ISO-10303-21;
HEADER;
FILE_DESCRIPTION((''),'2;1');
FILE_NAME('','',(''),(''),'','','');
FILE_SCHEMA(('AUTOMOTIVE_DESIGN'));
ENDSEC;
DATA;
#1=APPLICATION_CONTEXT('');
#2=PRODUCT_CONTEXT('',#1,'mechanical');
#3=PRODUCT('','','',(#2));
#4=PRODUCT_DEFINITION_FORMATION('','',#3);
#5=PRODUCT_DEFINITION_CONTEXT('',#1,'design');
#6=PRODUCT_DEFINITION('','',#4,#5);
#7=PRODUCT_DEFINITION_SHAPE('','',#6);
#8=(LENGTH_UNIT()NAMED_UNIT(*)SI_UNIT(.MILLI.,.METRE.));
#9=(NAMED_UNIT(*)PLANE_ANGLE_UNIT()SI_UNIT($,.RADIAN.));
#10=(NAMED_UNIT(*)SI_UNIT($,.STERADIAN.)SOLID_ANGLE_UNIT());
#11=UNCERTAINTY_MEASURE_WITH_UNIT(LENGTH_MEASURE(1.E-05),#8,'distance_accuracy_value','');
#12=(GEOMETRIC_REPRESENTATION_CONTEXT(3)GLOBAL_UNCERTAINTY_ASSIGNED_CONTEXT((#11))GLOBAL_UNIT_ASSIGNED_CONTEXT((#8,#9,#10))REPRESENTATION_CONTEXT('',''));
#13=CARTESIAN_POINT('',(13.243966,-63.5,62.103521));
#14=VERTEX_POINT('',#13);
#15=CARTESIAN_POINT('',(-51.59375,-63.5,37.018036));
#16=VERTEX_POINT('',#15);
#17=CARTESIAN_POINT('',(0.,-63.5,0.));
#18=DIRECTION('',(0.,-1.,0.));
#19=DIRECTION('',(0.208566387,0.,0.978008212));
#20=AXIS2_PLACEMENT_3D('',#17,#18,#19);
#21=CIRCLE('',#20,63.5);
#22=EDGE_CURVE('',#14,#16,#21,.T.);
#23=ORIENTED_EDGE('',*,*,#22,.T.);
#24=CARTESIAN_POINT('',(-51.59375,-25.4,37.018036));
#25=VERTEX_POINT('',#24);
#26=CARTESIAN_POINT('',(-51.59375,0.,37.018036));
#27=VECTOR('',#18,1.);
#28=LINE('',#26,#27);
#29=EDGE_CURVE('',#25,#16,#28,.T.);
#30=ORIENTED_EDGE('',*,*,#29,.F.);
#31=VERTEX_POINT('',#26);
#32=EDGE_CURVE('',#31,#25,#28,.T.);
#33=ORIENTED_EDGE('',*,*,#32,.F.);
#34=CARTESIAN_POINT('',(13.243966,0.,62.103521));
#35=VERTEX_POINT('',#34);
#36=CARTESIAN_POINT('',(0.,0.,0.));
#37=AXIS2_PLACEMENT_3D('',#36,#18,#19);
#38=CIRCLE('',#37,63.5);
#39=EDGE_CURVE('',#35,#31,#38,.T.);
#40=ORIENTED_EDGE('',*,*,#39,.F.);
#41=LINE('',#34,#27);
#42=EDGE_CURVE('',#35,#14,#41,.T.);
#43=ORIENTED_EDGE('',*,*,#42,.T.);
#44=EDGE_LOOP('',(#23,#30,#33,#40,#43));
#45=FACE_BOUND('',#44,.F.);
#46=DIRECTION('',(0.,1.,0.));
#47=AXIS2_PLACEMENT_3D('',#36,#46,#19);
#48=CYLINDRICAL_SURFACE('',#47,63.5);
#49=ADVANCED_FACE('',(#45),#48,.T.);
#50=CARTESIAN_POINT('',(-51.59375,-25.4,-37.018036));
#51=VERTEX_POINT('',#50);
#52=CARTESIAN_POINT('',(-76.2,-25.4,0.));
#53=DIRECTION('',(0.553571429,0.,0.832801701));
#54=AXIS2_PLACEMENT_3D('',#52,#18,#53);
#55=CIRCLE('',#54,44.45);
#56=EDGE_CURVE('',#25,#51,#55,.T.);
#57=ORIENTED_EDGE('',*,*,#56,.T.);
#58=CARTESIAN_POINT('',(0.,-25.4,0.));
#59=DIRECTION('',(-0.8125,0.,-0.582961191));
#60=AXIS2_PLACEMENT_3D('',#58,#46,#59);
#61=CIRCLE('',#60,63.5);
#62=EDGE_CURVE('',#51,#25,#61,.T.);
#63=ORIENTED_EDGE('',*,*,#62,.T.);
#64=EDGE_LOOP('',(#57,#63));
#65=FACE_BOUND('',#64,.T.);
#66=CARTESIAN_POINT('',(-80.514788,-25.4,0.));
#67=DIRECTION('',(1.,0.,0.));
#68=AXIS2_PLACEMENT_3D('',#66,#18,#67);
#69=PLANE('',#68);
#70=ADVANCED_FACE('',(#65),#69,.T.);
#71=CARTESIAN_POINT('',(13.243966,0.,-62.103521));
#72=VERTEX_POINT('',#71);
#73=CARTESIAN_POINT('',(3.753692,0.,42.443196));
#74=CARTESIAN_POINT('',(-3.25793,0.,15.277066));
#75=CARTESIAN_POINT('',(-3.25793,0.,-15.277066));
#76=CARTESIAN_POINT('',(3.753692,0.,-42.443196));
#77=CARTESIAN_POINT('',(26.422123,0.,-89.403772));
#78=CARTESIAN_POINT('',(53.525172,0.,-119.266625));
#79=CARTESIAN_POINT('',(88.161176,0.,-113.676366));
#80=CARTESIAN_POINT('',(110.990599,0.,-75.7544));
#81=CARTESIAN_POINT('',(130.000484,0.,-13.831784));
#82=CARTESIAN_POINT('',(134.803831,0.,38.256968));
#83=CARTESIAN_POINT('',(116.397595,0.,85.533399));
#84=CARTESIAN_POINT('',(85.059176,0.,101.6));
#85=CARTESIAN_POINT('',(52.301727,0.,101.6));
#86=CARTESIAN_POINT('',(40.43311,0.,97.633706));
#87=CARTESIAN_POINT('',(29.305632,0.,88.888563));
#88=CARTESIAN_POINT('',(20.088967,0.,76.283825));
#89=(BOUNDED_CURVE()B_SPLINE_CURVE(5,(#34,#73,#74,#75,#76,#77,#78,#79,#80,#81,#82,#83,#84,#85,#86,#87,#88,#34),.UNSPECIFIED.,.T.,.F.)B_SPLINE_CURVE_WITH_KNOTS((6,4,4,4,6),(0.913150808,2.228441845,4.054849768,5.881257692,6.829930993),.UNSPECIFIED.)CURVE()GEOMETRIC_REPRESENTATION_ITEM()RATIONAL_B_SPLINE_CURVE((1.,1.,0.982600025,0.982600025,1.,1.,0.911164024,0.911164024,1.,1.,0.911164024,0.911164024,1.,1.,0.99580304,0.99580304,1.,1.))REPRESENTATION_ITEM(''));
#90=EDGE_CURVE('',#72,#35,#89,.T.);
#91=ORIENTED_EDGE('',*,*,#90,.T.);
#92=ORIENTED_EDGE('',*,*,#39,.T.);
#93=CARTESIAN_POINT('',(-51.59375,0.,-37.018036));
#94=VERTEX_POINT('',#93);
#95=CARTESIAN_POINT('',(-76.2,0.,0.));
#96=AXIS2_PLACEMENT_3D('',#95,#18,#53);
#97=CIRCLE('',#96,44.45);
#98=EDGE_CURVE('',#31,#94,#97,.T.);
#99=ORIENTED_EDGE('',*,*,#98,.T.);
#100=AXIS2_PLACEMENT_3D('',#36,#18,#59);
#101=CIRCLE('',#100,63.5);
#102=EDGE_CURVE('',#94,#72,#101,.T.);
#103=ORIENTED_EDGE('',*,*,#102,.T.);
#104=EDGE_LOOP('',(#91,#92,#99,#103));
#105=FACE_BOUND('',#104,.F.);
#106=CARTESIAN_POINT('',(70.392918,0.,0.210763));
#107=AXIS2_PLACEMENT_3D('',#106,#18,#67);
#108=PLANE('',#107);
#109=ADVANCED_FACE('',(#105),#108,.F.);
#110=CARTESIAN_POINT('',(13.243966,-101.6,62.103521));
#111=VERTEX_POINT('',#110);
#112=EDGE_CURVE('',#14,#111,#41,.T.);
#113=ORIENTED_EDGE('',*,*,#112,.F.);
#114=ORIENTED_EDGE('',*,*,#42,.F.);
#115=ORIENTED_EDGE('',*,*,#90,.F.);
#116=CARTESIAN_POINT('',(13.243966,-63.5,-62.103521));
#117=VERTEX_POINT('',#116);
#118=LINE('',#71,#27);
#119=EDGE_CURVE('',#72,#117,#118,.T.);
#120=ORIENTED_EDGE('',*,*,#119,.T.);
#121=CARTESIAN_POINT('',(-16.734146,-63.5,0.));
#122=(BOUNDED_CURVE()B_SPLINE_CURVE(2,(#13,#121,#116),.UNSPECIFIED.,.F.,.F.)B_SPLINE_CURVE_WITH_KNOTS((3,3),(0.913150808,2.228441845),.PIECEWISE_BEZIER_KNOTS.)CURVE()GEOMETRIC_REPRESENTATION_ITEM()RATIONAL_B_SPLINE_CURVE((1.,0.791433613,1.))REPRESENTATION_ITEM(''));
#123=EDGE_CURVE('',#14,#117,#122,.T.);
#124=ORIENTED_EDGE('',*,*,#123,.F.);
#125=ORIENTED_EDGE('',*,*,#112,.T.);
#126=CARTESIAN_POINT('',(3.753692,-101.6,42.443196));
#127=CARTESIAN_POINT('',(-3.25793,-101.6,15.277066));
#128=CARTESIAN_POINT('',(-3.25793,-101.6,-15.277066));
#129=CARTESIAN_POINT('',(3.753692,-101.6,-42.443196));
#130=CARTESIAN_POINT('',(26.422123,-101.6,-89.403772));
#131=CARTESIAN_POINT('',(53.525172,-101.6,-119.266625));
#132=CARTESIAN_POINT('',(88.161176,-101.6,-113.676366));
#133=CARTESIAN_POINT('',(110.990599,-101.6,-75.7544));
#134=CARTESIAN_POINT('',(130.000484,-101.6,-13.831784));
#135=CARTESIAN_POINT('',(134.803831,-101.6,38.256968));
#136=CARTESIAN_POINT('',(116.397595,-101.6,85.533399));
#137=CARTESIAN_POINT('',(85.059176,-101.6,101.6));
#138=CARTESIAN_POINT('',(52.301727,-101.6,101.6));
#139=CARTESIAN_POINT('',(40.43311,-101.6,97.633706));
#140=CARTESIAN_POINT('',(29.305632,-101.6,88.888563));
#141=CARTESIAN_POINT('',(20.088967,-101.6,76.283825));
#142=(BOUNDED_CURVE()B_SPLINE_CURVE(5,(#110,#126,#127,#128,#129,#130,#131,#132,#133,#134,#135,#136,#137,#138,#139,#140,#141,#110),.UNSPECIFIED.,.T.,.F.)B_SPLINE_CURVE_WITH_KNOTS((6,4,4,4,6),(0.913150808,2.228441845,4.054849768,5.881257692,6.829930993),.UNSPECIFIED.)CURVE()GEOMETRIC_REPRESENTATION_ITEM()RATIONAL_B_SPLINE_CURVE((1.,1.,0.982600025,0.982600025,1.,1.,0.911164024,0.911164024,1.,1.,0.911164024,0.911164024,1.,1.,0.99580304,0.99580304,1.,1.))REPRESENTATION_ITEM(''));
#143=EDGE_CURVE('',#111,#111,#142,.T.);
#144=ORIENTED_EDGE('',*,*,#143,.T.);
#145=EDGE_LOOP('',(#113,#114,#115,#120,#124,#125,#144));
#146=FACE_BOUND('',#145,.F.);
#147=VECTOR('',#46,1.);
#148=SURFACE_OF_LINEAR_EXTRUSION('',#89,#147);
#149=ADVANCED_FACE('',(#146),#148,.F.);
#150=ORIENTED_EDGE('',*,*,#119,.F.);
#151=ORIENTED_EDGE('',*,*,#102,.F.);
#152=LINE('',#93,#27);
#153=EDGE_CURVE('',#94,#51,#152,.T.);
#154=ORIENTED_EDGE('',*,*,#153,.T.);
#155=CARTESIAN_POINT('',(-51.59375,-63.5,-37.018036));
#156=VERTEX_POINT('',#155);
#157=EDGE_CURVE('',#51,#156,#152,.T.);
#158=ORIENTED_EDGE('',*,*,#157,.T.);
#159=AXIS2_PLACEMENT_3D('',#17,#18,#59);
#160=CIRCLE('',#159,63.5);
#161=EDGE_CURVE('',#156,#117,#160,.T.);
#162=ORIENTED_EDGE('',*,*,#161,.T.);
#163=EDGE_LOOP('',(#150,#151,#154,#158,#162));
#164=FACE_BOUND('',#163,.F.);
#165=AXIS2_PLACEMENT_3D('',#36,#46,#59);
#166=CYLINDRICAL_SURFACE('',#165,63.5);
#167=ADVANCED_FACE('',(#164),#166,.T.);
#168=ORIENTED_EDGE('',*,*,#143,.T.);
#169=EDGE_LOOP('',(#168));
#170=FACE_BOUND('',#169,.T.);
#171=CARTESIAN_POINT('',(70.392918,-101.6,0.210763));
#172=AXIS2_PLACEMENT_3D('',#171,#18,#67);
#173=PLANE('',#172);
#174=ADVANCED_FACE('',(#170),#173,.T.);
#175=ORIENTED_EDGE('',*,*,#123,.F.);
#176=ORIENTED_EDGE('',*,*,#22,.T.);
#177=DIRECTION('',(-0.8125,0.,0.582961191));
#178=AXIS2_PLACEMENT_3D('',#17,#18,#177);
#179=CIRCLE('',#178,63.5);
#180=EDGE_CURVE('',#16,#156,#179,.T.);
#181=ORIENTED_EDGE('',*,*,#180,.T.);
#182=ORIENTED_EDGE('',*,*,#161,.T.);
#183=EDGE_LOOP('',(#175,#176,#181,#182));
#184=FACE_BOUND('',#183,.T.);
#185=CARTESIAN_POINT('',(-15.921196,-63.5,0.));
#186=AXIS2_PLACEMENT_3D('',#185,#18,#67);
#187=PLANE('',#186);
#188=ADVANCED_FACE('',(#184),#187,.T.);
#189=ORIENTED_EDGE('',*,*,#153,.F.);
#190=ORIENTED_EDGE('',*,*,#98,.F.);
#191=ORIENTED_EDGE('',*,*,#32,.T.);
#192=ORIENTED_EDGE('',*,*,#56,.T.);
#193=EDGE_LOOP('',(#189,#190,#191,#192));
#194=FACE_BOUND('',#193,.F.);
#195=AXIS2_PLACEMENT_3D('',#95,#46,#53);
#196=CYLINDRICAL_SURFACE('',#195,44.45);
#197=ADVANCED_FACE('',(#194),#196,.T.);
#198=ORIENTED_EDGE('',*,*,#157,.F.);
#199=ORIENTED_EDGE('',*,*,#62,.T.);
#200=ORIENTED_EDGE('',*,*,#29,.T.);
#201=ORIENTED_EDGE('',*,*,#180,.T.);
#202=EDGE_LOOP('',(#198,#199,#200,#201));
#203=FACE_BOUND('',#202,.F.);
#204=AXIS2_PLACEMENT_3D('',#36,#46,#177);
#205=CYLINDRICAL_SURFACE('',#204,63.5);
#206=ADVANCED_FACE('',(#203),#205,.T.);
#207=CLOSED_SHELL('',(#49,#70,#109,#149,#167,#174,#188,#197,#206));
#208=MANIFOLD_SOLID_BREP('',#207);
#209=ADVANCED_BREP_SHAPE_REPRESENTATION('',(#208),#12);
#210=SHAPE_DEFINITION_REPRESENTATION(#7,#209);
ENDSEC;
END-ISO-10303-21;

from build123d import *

# Parameters (mm, degrees)
F1_DEPTH = 25.4
F2_DEPTH = 63.5
F3_DEPTH = 101.6


with BuildPart() as f1:
    # F0 (on Front) → F1 (new body)
    with BuildSketch(Plane.XZ):
        with BuildLine():
            ThreePointArc((-51.59375, -37.0180356169), (-63.5, 0), (-51.59375, 37.0180356169))
            ThreePointArc((-51.59375, 37.0180356169), (-120.65, 0), (-51.59375, -37.0180356169))
        make_face()
    extrude(amount=F1_DEPTH)

    # F0 (on Front) → F2 (join)
    with BuildSketch(Plane.XZ):
        with BuildLine():
            ThreePointArc((-51.59375, 37.0180356169), (-37.0237934934, 21.0006510316), (-31.75, 0))
            ThreePointArc((-31.75, 0), (-37.0237934934, -21.0006510316), (-51.59375, -37.0180356169))
            ThreePointArc((-51.59375, -37.0180356169), (-22.9128106244, -59.2220660674), (13.2439655959, -62.1035214404))
            add(Edge.make_bspline(
                [(13.2439655959, 62.1035214404), (-16.734145965, 0), (13.2439655959, -62.1035214404)],
                knots=[0.9131508081, 0.9131508081, 0.9131508081, 2.2284418454, 2.2284418454, 2.2284418454], degree=2, weights=[1, 0.7914336127, 1]))
            ThreePointArc((13.2439655959, 62.1035214404), (-22.9128106244, 59.2220660674), (-51.59375, 37.0180356169))
        make_face()
        with BuildLine():
            ThreePointArc((-51.59375, -37.0180356169), (-37.0237934934, -21.0006510316), (-31.75, 0))
            ThreePointArc((-31.75, 0), (-37.0237934934, 21.0006510316), (-51.59375, 37.0180356169))
            ThreePointArc((-51.59375, 37.0180356169), (-63.5, 0), (-51.59375, -37.0180356169))
        make_face()
    extrude(amount=F2_DEPTH)

    # F0 (on Front) → F3 (join)
    with BuildSketch(Plane.XZ):
        with BuildLine():
            add(Edge.make_bspline(
                [(63.5, 101.6), (32.3093875408, 101.6), (13.2439655959, 62.1035214404)],
                knots=[0, 0, 0, 0.9131508081, 0.9131508081, 0.9131508081], degree=2, weights=[1, 0.8975675831, 1]))
            ThreePointArc((13.2439655959, 62.1035214404), (49.3621404284, 39.9453262889), (63.5, 0))
            ThreePointArc((63.5, 0), (49.3621404284, -39.9453262889), (13.2439655959, -62.1035214404))
            add(Edge.make_bspline(
                [(13.2439655959, -62.1035214404), (75.5537087854, -191.1861844445), (120.4955415237, -44.7930922222), (165.437374262, 101.6), (63.5, 101.6)],
                knots=[2.2284418454, 2.2284418454, 2.2284418454, 4.2558135763, 4.2558135763, 6.2831853072, 6.2831853072, 6.2831853072], degree=2, weights=[1, 0.5287358074, 1, 0.5287358074, 1]))
        make_face()
        with BuildLine():
            ThreePointArc((63.5, 0), (49.3621404284, 39.9453262889), (13.2439655959, 62.1035214404))
            add(Edge.make_bspline(
                [(13.2439655959, 62.1035214404), (-16.734145965, 0), (13.2439655959, -62.1035214404)],
                knots=[0.9131508081, 0.9131508081, 0.9131508081, 2.2284418454, 2.2284418454, 2.2284418454], degree=2, weights=[1, 0.7914336127, 1]))
            ThreePointArc((13.2439655959, -62.1035214404), (49.3621404284, -39.9453262889), (63.5, 0))
        make_face()
    extrude(amount=F3_DEPTH)


solid = f1.part
